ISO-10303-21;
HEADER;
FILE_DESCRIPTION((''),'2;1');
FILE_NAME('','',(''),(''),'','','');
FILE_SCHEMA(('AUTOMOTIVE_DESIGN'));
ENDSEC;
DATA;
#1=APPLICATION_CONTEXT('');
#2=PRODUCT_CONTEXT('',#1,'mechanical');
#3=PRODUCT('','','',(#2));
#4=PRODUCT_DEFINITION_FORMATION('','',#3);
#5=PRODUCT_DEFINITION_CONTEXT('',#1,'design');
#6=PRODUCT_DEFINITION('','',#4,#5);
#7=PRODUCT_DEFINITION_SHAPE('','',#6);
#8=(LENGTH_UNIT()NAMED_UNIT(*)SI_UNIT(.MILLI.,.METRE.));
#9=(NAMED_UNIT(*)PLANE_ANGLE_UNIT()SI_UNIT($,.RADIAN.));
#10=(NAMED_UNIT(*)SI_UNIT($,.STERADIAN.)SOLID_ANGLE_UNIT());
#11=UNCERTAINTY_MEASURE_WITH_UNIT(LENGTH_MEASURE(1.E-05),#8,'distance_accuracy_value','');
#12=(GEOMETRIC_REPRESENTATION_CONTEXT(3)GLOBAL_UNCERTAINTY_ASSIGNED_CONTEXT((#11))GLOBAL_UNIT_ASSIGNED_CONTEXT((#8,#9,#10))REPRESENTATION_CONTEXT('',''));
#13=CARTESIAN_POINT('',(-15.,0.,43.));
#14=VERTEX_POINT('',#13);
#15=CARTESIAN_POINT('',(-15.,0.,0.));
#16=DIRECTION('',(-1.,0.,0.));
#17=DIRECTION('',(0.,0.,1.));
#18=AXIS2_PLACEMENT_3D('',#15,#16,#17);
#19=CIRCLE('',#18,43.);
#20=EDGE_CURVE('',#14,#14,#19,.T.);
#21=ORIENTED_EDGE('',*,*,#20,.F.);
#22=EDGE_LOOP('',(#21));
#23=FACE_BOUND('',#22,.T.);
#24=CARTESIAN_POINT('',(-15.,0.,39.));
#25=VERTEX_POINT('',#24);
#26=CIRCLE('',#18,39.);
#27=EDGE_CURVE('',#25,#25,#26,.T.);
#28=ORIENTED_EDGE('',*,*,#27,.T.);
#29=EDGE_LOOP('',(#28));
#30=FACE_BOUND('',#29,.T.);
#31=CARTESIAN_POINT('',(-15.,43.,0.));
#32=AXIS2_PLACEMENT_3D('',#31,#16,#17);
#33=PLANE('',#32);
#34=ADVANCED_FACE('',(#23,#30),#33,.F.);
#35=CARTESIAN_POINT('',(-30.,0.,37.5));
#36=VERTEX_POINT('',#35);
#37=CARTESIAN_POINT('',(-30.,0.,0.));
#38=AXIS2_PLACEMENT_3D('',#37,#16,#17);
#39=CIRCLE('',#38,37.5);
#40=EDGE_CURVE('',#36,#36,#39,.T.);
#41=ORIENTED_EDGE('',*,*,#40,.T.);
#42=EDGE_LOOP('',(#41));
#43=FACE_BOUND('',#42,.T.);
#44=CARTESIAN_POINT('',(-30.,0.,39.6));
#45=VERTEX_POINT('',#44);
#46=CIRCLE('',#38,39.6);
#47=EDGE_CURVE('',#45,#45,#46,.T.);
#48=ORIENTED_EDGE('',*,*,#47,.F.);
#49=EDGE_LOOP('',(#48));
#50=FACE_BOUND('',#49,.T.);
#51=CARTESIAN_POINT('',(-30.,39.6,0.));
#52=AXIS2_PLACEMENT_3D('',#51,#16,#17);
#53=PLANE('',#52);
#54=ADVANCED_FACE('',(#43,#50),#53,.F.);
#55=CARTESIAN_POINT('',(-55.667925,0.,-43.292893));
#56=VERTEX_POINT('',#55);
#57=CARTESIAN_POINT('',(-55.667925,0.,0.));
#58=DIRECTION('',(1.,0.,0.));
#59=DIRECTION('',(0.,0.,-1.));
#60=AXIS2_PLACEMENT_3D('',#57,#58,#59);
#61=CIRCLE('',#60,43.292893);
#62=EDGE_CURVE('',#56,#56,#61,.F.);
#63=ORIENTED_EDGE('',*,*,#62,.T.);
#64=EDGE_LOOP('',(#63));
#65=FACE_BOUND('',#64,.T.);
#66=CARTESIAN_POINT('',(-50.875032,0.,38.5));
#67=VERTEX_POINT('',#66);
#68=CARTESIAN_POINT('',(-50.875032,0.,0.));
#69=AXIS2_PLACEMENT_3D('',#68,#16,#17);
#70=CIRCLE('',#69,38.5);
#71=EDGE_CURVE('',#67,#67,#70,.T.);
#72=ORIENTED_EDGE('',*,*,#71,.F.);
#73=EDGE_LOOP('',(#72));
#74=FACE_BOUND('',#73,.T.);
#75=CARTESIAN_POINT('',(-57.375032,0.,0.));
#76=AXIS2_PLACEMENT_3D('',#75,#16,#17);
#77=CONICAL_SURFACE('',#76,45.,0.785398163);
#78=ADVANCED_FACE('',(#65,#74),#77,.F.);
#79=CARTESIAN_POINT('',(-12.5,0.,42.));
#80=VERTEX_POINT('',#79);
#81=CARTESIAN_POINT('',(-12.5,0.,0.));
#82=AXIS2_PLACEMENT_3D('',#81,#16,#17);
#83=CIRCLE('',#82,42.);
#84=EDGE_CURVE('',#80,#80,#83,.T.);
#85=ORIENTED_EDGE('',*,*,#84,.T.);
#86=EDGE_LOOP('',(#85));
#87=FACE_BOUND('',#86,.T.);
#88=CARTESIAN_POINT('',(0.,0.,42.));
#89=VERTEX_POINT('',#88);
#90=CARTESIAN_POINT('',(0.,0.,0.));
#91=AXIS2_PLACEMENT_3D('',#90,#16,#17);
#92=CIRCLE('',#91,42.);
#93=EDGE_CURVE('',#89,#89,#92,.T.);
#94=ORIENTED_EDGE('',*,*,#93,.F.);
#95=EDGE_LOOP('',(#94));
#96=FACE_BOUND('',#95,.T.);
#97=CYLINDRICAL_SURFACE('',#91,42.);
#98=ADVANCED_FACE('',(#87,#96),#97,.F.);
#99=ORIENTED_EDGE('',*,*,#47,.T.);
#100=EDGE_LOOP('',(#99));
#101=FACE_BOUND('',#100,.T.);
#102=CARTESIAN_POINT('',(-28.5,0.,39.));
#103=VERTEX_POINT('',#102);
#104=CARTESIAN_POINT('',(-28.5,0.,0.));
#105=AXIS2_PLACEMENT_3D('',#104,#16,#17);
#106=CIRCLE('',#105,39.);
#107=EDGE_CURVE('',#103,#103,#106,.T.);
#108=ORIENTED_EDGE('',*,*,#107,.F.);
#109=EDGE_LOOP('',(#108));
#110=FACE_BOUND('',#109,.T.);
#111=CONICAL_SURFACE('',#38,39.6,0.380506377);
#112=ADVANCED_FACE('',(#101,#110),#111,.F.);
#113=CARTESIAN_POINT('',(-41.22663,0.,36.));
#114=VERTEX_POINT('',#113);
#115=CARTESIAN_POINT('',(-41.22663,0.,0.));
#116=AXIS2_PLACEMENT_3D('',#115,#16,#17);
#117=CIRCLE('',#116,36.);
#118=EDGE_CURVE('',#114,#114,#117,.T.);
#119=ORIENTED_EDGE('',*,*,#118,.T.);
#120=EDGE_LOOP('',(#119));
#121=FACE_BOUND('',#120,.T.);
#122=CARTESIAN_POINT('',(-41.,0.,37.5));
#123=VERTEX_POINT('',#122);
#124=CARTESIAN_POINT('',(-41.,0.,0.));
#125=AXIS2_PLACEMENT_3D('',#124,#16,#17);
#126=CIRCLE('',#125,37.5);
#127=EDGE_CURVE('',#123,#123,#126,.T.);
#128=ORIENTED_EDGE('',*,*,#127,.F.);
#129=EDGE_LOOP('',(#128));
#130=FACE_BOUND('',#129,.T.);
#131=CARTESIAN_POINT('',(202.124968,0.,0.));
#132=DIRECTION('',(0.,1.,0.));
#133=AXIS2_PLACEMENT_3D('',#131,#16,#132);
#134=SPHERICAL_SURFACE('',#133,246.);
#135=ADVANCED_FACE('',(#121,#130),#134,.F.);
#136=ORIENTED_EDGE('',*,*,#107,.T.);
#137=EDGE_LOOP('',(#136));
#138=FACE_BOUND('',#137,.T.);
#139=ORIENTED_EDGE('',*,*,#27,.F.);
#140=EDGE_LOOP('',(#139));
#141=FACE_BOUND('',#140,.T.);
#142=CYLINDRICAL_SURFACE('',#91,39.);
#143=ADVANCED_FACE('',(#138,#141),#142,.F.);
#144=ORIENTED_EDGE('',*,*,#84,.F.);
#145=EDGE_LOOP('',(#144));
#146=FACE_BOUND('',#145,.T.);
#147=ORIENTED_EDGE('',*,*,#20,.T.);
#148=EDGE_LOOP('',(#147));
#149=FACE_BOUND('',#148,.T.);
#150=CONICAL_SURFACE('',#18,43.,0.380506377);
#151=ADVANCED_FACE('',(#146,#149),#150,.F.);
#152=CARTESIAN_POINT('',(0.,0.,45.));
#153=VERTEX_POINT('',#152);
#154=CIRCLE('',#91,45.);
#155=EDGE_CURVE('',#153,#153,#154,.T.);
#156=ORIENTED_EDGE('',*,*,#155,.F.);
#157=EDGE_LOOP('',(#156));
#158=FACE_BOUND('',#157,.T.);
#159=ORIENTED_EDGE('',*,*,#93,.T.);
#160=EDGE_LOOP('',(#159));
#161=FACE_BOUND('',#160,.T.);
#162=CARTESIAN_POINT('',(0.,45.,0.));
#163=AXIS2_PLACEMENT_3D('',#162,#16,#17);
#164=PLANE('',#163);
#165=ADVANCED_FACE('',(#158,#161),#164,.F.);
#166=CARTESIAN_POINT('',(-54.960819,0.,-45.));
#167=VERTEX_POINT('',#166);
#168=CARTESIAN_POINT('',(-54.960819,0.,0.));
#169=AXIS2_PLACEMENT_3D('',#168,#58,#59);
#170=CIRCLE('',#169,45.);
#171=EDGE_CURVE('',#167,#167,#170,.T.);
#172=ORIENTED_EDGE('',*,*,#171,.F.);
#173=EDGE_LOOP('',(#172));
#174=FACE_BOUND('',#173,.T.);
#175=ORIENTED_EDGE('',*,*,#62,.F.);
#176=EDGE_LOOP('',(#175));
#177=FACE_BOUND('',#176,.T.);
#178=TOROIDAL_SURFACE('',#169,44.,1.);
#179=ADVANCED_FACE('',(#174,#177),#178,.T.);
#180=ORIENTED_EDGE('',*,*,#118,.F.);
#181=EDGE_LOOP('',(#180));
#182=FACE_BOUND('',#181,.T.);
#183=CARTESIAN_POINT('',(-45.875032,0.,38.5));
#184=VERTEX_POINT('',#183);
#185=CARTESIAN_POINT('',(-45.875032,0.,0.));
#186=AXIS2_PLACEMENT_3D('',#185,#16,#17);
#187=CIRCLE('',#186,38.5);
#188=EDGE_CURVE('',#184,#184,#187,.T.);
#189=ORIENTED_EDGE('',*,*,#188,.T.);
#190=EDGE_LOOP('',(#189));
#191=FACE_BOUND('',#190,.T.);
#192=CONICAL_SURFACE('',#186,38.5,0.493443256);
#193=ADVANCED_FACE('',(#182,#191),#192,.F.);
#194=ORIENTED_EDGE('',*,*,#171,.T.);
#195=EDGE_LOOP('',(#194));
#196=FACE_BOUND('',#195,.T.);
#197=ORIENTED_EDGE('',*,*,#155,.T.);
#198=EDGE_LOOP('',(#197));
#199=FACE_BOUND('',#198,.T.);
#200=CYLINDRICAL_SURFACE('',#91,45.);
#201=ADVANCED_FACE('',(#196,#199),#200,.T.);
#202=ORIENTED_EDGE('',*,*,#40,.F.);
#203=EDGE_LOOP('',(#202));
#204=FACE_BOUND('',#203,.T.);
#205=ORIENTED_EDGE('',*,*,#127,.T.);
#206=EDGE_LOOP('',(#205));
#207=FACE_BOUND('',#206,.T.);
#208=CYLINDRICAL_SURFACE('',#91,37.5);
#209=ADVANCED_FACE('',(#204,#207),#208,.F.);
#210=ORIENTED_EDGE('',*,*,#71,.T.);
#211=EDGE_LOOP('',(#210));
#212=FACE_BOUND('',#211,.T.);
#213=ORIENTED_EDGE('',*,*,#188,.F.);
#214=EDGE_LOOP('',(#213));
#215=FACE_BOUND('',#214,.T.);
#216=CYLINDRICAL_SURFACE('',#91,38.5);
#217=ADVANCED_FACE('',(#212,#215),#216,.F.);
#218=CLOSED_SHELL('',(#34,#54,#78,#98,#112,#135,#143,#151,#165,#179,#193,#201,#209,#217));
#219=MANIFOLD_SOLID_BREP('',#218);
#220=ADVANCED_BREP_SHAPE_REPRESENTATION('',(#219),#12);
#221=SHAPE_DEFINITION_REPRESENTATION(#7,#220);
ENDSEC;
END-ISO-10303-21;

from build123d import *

# Parameters (mm, degrees)
ZAOBLIT1_R = 1


with BuildPart() as part:
    # Skica1 → Rotovat1 (revolve)
    with BuildSketch(Plane.XY):
        with BuildLine():
            Line((-41.226629622, 36), (-45.875032134, 38.5))
            Line((-45.875032134, 38.5), (-50.875032134, 38.5))
            Line((-50.875032134, 38.5), (-57.375032134, 45))
            Line((-57.375032134, 45), (0, 45))
            Line((0, 45), (0, 42))
            Line((0, 42), (-12.5, 42))
            Line((-12.5, 42), (-15, 43))
            Line((-15, 43), (-15, 39))
            Line((-15, 39), (-28.5, 39))
            Line((-28.5, 39), (-30, 39.6))
            Line((-30, 39.6), (-30, 37.5))
            Line((-30, 37.5), (-41, 37.5))
            ThreePointArc((-41, 37.5), (-41.114471082, 36.750174697), (-41.226629622, 36))
        make_face()
    revolve(axis=Axis((0, 0, 0), (1, 0, 0)))

    # Zaoblit1
    zaoblit1_edges = [part.edges().sort_by_distance(p)[0] for p in [
        (-57.375032134, -45, 0),
    ]]
    fillet(zaoblit1_edges, radius=ZAOBLIT1_R)


solid = part.part
